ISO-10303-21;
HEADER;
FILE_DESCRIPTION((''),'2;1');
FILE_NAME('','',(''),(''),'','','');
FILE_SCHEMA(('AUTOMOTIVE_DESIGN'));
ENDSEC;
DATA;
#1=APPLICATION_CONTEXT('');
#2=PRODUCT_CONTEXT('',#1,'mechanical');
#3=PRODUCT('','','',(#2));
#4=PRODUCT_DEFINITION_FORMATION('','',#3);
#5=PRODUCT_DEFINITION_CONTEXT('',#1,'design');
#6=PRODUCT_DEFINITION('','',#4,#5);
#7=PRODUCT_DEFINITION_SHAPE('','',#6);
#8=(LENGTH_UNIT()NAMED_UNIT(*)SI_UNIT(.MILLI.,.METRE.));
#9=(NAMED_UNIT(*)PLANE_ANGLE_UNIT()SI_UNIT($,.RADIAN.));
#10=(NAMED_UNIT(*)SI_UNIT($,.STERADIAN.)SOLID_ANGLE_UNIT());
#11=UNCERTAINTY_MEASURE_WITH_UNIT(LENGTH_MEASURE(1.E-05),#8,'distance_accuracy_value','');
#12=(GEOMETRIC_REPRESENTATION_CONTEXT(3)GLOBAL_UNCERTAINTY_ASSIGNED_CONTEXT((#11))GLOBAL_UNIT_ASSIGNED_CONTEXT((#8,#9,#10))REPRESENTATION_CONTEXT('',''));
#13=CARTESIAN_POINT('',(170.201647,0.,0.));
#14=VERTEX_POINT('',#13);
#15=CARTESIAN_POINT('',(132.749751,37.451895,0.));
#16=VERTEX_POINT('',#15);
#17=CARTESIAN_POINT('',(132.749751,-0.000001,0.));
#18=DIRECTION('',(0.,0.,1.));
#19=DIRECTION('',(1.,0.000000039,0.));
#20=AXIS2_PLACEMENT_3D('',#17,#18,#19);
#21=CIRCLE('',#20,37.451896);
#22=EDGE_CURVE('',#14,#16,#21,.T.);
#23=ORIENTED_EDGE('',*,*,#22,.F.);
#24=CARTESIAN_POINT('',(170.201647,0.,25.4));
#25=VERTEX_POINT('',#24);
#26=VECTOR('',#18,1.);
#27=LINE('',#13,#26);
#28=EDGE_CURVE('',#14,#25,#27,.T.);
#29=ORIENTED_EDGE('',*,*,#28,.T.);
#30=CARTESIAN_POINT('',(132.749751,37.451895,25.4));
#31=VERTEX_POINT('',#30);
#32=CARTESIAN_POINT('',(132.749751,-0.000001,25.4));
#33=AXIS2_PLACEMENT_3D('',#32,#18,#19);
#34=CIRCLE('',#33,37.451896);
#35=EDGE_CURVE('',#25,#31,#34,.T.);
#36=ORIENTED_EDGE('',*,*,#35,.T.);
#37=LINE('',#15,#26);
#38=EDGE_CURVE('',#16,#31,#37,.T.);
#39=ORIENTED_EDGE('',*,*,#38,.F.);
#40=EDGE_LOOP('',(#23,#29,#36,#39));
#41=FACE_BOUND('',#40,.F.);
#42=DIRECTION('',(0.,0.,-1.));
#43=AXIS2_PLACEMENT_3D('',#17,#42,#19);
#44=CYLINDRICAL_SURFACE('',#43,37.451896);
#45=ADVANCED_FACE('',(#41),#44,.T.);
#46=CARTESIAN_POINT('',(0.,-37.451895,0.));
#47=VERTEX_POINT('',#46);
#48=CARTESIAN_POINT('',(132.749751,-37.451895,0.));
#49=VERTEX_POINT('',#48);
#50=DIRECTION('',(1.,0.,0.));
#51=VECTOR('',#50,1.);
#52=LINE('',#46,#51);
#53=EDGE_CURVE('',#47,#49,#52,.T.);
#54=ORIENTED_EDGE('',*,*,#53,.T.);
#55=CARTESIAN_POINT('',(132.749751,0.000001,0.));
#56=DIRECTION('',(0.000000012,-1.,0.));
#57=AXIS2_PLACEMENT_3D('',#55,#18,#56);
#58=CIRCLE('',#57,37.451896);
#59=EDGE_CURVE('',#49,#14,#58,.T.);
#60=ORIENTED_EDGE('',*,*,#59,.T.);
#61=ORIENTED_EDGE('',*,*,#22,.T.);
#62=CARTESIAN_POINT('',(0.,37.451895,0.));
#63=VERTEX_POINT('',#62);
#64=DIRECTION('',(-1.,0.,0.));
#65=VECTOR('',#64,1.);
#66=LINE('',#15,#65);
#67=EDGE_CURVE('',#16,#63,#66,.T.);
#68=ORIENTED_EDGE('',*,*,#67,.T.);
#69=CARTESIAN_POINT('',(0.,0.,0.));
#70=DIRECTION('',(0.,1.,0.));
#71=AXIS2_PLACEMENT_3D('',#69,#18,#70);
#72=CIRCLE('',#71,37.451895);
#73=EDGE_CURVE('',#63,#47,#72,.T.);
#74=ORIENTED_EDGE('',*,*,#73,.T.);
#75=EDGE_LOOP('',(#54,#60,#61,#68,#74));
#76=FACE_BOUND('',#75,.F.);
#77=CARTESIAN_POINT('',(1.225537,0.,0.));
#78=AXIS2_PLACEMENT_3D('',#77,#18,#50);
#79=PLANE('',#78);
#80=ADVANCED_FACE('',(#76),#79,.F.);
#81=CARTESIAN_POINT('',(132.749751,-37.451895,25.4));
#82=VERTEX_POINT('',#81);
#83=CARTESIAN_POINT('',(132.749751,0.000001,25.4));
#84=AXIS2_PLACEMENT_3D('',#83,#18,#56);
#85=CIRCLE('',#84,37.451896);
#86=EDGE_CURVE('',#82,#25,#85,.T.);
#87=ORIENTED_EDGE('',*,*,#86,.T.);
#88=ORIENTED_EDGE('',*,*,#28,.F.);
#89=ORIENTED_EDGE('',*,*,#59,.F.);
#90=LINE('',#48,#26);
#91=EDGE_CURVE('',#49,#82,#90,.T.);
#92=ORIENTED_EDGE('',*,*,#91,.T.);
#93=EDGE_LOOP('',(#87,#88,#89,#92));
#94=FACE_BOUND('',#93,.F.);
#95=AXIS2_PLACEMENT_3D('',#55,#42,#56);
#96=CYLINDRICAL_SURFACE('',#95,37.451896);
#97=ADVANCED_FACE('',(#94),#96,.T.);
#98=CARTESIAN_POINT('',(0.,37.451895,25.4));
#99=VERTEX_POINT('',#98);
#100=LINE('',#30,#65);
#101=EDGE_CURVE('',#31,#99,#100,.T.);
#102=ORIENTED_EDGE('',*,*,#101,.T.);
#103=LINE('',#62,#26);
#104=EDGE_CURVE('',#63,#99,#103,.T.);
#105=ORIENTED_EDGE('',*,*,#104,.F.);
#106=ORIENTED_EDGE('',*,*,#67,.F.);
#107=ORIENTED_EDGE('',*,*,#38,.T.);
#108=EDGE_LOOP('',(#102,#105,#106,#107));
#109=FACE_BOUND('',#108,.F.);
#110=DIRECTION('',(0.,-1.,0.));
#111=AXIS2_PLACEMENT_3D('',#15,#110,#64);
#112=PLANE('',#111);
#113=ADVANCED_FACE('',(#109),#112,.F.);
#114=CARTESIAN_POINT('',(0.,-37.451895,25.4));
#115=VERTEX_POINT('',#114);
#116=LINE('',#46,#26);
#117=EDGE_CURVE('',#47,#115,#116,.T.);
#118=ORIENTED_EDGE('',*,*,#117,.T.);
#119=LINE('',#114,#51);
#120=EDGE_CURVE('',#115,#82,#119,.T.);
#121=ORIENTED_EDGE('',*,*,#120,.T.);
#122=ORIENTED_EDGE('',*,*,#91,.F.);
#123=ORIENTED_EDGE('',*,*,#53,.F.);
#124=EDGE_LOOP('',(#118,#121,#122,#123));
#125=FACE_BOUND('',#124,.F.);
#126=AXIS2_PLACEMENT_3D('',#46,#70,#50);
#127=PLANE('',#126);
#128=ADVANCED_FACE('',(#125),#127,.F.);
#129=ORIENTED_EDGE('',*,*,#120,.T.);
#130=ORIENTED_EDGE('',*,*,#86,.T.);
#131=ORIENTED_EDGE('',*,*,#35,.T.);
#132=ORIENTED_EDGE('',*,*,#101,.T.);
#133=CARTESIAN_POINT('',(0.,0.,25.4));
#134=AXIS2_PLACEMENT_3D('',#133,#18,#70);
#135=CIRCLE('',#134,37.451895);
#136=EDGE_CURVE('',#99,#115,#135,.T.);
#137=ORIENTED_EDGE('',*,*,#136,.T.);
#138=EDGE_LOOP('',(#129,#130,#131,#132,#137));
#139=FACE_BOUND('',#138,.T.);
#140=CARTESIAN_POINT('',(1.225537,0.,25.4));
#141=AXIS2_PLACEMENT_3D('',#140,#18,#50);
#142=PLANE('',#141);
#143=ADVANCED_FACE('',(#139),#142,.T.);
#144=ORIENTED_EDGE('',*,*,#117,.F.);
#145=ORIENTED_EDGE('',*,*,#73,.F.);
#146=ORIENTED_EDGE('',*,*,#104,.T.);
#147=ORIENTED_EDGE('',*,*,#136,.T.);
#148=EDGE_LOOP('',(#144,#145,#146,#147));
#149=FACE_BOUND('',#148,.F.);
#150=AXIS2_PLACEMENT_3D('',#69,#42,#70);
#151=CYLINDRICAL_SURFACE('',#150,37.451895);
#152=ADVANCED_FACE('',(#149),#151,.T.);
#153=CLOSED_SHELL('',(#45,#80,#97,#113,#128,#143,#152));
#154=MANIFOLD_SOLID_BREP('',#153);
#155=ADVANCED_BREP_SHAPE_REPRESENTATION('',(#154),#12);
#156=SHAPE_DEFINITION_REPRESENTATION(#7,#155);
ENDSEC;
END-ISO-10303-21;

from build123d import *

# Parameters (mm, degrees)
F1_DEPTH = 25.4


with BuildPart() as f1:
    # F0 (on Top) → F1 (new body)
    with BuildSketch(Plane.XY):
        with BuildLine():
            ThreePointArc((0, -37.451895), (26.482489, -26.482489), (37.451895, 0))
            ThreePointArc((37.451895, 0), (26.482489, 26.482489), (0, 37.451895))
            ThreePointArc((0, 37.451895), (-37.451895, 0), (0, -37.451895))
        make_face()
        with BuildLine():
            ThreePointArc((0, 37.451895), (26.482489, 26.482489), (37.451895, 0))
            ThreePointArc((37.451895, 0), (26.482489, -26.482489), (0, -37.451895))
            Line((0, -37.451895), (66.374876, -37.451895))
            Line((66.374876, -37.451895), (66.374876, 37.451895))
            Line((66.374876, 37.451895), (0, 37.451895))
        make_face()
        with BuildLine():
            Line((132.749751, 37.451895), (66.374876, 37.451895))
            Line((66.374876, 37.451895), (66.374876, -37.451895))
            Line((66.374876, -37.451895), (132.749751, -37.451895))
            ThreePointArc((132.749751, -37.451895), (95.297856, 0), (132.749751, 37.451895))
        make_face()
        with BuildLine():
            ThreePointArc((170.201647, 0), (159.23224, 26.482489), (132.749751, 37.451895))
            ThreePointArc((132.749751, 37.451895), (95.297856, 0), (132.749751, -37.451895))
            ThreePointArc((132.749751, -37.451895), (159.23224, -26.482489), (170.201647, 0))
        make_face()
    extrude(amount=F1_DEPTH)


solid = f1.part
